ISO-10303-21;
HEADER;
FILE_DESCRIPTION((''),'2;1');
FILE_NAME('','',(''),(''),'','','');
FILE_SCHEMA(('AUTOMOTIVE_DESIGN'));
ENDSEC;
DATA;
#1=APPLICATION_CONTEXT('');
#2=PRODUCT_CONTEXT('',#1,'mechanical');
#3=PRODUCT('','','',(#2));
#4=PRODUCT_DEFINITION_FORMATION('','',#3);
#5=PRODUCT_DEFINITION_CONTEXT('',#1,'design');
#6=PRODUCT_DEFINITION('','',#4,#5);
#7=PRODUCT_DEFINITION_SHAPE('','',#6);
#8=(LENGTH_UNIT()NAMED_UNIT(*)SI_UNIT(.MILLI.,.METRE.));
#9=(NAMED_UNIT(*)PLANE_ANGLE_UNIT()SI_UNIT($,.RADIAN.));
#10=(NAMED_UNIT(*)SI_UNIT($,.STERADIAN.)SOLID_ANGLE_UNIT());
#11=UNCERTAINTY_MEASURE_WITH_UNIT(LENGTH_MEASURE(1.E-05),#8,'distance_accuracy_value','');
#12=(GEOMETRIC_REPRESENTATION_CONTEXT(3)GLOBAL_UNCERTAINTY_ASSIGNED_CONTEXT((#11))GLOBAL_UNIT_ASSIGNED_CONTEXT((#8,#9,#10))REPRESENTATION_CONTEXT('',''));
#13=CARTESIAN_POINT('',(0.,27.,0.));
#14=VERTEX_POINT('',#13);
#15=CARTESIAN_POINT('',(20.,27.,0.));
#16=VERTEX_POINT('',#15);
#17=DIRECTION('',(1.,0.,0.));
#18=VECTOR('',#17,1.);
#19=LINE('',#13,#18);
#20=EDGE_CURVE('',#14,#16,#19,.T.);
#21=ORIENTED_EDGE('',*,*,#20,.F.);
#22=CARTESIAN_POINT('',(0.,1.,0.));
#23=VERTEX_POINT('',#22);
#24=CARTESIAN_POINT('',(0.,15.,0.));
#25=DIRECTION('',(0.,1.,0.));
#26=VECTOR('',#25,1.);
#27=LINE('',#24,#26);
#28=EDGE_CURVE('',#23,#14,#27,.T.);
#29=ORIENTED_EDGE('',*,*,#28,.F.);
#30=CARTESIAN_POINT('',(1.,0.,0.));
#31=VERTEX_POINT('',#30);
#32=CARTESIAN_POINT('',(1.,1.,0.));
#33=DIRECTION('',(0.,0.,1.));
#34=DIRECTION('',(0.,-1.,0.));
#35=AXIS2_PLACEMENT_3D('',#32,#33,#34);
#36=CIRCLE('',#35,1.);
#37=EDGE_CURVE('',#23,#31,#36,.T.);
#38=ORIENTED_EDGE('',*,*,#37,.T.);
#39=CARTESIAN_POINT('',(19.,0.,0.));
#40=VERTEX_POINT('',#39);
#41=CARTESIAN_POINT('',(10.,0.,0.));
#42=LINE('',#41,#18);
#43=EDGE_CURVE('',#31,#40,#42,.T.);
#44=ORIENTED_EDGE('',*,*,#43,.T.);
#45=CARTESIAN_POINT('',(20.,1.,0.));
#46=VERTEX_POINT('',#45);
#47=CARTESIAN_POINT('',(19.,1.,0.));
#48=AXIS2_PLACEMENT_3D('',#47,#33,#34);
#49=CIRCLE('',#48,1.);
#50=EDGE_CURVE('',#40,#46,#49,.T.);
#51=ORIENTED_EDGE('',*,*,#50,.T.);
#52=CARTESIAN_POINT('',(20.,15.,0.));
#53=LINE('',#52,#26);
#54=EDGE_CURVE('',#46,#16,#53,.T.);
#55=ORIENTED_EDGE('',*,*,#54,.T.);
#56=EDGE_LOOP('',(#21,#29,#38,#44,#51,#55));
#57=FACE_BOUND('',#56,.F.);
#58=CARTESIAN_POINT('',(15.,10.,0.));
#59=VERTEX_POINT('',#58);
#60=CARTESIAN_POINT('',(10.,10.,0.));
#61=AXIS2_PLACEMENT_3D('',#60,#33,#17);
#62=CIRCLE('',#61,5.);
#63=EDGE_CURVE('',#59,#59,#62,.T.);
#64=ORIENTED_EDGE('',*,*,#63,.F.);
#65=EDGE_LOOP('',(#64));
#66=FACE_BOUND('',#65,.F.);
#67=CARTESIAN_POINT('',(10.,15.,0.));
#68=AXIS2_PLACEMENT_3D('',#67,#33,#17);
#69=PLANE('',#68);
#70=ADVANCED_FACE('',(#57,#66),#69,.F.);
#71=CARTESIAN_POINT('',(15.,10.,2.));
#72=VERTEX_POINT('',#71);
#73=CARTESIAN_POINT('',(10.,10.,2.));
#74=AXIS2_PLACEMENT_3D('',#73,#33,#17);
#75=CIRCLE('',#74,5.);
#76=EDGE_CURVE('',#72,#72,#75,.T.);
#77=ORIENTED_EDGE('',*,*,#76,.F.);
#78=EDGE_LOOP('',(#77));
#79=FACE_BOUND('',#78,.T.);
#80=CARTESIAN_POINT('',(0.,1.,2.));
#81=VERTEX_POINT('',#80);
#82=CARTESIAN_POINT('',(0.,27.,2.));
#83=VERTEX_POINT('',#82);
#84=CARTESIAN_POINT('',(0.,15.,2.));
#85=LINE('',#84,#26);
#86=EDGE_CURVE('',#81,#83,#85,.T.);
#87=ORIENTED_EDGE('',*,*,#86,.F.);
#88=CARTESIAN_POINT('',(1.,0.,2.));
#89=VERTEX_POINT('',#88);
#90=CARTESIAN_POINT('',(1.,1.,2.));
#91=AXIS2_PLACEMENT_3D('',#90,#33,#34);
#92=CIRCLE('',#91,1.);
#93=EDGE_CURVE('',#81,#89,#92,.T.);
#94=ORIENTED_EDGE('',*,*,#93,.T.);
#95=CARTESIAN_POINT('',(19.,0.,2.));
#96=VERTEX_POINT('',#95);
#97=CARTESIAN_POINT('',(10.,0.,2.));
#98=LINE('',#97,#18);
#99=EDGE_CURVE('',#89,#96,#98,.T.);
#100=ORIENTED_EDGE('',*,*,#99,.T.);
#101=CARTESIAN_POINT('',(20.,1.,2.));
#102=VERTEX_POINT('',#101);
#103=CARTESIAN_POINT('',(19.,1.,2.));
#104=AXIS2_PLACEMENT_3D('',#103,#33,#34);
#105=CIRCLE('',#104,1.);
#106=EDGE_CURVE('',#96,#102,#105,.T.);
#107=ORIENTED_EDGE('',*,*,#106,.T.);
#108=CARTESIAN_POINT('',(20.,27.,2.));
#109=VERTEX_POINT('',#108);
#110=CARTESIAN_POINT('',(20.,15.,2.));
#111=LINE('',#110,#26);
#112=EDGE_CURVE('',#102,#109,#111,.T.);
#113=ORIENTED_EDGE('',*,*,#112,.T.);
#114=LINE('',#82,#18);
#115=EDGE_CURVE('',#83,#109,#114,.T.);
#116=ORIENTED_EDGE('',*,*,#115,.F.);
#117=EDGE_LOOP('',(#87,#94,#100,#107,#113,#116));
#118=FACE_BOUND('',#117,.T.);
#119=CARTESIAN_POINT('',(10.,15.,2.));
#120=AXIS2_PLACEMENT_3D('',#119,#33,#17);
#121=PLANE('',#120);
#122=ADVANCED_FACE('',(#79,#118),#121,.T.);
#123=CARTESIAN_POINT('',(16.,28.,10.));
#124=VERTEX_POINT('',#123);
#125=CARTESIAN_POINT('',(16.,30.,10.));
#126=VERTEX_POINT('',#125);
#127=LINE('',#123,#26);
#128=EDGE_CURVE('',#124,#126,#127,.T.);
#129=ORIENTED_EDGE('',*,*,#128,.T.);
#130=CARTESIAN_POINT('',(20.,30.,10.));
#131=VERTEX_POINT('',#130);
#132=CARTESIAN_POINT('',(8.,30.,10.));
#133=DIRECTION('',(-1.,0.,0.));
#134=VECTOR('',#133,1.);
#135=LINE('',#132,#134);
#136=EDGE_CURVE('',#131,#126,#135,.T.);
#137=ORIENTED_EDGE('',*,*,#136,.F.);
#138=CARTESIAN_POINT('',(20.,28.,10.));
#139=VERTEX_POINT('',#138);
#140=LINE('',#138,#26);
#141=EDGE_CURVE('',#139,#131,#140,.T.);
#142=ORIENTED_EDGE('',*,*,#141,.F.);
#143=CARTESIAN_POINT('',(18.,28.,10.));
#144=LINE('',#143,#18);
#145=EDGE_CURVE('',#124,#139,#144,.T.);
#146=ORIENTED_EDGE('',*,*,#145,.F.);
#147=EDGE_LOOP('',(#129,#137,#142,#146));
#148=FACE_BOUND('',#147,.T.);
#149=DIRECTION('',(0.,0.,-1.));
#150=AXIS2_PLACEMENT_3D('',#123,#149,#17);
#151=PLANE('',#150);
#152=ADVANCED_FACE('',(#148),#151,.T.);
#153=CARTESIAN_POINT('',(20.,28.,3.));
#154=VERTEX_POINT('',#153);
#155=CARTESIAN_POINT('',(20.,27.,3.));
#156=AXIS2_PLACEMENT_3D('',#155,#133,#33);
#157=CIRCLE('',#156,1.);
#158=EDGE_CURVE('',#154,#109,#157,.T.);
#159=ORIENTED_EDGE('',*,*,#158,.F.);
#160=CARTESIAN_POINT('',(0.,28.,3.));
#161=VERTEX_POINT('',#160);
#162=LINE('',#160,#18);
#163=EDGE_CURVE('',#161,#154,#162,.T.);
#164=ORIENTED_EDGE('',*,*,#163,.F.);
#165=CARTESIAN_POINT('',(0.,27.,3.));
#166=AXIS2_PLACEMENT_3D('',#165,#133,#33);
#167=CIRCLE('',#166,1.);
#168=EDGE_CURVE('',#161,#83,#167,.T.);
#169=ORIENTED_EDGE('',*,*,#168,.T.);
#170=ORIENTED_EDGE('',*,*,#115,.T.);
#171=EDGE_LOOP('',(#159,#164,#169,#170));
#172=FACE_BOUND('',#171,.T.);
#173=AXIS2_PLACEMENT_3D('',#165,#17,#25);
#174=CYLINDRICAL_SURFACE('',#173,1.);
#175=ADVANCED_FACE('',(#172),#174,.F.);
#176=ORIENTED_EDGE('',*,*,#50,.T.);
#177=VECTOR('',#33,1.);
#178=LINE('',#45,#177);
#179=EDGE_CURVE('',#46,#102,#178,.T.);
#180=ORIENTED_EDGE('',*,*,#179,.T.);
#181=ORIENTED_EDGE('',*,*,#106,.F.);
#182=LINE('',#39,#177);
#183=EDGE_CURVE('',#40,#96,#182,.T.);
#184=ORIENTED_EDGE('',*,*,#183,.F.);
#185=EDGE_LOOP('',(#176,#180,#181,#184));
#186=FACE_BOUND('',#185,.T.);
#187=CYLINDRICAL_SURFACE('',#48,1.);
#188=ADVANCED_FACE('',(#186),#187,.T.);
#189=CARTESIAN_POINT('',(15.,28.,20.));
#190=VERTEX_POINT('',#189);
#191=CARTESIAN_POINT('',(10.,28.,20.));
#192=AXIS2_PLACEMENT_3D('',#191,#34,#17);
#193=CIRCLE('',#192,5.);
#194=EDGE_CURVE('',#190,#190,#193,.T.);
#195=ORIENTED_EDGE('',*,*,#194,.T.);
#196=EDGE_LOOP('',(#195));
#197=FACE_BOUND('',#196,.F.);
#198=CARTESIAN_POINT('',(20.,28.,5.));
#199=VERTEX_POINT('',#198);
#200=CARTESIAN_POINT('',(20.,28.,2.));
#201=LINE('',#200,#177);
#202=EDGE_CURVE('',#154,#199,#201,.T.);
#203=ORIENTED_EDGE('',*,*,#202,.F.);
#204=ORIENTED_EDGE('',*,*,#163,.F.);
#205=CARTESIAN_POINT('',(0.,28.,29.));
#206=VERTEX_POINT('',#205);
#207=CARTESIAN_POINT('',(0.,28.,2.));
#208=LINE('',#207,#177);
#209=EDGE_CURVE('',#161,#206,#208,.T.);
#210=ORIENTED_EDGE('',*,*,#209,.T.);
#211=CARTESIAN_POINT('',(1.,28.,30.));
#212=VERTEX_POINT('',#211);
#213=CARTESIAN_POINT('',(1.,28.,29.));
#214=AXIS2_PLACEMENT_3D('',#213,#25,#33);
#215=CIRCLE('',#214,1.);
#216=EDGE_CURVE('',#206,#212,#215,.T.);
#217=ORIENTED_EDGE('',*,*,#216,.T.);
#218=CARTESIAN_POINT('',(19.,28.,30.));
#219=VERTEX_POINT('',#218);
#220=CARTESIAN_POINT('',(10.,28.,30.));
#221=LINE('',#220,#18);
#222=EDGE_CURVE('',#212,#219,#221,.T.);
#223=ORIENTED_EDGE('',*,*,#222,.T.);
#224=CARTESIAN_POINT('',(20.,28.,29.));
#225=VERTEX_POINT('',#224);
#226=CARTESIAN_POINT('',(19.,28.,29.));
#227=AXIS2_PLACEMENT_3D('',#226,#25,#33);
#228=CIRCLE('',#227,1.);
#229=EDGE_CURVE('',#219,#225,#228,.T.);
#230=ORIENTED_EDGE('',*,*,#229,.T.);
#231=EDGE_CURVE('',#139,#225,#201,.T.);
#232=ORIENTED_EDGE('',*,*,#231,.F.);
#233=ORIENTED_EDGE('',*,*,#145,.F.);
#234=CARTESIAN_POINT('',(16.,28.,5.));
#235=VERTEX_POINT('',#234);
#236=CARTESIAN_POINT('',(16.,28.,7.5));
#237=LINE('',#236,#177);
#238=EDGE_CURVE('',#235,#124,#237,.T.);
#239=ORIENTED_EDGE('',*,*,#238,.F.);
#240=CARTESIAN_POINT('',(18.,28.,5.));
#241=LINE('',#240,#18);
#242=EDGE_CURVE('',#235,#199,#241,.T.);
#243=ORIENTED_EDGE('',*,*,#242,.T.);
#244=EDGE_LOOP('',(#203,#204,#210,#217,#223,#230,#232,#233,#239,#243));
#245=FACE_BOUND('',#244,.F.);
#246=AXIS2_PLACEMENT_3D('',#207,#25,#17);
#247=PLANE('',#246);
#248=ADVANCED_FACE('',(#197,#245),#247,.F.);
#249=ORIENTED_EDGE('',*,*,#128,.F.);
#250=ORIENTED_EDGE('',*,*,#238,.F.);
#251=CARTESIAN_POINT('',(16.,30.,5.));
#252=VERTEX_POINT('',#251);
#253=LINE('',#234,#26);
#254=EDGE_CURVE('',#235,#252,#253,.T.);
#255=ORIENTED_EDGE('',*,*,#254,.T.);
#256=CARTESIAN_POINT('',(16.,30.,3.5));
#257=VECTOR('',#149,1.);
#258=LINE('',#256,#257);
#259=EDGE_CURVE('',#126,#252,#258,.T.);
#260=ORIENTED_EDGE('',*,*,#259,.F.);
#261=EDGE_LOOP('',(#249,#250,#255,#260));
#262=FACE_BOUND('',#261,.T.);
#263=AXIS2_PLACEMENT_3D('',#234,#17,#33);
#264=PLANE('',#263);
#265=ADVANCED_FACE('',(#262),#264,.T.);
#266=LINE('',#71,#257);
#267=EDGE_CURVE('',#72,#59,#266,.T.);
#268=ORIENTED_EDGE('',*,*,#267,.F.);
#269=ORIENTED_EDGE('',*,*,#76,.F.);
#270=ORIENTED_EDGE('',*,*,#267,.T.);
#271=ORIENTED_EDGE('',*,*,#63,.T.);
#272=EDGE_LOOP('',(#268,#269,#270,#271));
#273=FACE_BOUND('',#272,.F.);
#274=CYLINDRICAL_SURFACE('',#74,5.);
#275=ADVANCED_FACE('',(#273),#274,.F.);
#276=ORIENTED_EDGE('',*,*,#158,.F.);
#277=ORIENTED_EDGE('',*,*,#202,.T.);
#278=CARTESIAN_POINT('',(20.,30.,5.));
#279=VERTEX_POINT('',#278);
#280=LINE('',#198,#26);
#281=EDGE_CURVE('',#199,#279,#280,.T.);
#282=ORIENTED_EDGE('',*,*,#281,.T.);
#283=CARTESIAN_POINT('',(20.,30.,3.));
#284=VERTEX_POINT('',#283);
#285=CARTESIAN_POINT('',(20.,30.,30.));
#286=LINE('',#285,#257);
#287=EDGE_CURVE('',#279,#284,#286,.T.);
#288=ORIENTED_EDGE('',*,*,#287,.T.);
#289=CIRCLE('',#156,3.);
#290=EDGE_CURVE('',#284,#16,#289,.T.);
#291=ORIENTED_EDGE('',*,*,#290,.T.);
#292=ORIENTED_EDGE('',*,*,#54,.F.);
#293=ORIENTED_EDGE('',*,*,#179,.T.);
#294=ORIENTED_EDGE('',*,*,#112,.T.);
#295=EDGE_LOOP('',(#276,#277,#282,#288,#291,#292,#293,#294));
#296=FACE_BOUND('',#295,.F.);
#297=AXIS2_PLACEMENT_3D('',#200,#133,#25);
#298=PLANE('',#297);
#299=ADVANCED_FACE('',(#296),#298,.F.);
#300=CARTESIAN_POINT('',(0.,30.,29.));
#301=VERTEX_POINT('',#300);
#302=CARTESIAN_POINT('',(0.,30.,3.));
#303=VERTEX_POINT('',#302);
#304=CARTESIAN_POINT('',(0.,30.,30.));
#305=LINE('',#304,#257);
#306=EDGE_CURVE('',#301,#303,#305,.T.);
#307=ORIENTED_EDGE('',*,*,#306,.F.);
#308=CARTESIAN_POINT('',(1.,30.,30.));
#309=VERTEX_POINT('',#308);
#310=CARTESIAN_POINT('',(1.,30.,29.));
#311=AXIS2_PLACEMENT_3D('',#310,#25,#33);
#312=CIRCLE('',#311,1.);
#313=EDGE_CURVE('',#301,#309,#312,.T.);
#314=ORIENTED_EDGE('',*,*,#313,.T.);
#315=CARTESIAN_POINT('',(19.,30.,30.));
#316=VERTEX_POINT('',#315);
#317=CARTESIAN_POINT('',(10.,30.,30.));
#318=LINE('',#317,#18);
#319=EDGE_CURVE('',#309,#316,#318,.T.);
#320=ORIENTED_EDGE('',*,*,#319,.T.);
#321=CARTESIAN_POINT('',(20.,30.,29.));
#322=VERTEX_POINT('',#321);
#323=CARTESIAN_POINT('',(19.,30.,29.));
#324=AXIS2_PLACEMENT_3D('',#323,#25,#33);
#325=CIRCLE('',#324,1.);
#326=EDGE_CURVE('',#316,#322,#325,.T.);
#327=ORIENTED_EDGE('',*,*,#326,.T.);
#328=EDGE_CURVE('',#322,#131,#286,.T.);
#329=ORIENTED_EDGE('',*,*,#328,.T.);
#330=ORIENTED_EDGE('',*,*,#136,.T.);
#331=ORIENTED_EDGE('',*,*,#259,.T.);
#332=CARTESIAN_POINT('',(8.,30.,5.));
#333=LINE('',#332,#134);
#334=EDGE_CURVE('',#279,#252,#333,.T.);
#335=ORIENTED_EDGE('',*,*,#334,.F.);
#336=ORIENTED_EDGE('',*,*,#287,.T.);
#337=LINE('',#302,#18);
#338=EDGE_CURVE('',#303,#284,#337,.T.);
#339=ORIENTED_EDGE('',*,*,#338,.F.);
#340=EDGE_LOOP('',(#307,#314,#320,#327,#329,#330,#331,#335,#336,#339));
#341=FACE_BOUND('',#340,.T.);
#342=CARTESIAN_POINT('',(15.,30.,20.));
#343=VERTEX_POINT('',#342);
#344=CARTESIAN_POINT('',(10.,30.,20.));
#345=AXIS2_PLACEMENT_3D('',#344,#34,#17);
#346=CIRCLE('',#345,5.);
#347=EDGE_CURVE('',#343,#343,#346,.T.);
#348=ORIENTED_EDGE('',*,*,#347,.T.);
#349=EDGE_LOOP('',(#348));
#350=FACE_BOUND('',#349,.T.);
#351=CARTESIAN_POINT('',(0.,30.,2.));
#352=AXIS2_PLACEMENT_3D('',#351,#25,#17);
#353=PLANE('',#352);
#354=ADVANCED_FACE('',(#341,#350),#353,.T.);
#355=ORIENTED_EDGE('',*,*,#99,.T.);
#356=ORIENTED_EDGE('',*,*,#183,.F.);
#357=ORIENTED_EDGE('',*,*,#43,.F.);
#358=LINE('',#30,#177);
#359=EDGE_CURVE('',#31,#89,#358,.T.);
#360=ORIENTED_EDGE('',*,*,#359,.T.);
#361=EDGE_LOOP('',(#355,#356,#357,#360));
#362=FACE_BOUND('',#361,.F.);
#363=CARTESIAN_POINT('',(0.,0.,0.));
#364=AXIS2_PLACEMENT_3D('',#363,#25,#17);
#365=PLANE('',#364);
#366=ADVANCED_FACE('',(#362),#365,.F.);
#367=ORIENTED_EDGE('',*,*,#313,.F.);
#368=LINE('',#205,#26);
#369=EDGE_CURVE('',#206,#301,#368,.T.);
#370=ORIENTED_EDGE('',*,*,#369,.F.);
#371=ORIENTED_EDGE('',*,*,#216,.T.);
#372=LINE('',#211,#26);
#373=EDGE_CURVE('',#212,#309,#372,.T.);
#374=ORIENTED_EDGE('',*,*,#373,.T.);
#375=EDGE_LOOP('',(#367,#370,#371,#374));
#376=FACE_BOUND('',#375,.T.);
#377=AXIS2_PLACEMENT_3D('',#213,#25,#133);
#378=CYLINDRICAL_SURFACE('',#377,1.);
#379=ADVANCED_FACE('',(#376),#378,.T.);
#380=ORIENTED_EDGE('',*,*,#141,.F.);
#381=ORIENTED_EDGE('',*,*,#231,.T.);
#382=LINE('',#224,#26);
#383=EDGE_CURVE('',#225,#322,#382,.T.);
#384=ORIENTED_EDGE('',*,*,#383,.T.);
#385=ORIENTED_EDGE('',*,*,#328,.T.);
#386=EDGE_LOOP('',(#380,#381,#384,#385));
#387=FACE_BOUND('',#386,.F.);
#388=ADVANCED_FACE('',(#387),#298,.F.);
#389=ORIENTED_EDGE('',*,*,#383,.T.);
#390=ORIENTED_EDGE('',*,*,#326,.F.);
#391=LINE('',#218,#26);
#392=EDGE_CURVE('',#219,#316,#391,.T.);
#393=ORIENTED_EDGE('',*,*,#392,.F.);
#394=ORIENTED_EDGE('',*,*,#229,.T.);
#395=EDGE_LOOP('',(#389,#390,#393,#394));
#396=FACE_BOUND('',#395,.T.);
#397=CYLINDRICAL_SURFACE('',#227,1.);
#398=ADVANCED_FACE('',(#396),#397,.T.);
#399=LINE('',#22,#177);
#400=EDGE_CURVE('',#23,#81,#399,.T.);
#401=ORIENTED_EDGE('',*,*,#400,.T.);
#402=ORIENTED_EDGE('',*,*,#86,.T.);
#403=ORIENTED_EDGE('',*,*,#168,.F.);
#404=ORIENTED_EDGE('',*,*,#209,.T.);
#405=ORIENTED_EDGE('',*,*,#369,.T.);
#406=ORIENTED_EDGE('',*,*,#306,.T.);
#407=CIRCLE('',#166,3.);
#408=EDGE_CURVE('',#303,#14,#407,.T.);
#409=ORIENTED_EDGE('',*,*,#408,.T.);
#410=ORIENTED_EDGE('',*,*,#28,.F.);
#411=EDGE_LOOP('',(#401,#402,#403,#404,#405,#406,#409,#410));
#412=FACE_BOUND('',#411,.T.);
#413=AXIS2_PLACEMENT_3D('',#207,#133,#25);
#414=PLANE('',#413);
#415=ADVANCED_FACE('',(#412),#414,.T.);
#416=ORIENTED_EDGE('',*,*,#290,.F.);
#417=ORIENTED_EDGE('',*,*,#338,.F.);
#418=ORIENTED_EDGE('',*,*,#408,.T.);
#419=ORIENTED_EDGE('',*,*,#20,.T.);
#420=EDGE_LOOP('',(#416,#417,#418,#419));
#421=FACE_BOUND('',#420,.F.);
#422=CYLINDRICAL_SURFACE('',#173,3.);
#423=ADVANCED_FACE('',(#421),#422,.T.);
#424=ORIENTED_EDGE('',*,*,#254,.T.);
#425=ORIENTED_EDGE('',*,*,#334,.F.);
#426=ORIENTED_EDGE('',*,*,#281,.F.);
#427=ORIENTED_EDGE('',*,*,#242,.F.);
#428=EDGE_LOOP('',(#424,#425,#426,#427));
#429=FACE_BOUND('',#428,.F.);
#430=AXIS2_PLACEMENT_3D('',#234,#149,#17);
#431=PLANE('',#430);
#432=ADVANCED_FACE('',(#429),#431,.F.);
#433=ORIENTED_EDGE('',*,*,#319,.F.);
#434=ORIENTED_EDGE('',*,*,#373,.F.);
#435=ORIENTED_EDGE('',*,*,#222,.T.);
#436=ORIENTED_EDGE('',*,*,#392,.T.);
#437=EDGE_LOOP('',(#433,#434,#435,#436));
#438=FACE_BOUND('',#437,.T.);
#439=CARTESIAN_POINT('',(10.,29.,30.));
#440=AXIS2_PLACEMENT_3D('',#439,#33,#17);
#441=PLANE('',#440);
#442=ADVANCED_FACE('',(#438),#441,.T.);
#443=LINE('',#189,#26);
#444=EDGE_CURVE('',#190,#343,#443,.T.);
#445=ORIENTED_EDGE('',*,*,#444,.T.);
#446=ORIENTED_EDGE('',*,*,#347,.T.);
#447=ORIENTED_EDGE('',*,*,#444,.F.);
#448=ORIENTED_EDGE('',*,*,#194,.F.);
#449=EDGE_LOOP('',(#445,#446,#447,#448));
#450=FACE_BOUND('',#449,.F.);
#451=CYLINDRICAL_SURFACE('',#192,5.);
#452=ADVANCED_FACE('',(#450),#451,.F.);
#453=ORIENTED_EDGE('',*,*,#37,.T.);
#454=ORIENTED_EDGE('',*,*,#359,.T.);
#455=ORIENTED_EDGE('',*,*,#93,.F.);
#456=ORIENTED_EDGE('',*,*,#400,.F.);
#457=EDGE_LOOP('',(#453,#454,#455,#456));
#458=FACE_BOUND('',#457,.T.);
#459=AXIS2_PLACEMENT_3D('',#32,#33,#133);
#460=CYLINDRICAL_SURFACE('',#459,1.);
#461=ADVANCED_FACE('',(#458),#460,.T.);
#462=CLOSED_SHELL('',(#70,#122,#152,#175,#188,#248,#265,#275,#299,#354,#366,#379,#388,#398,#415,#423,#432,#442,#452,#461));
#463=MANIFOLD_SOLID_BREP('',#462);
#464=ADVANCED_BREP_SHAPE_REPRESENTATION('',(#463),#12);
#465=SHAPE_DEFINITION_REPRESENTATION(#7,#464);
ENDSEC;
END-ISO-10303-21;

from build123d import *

# Parameters (mm, degrees)
F0_W     = 20
F0_H     = 30
F1_DEPTH = 2
F2_W     = 20
F2_H     = 2
F3_DEPTH = 28
F4_R     = 5
F5_DEPTH = 2.001
F6_R     = 5
F7_DEPTH = 2.001
F8_W     = 4
F8_H     = 5
F9_DEPTH = 2.001
F10_R    = 1
F11_R    = 3


with BuildPart() as f1:
    # F0 (on Top) → F1 (new body)
    with BuildSketch(Plane.XY):
        with Locations((10, 15)):
            Rectangle(F0_W, F0_H)
    extrude(amount=F1_DEPTH)

    # F2 (on face) → F3 (join)
    with BuildSketch(Plane.XY.offset(2)):
        with Locations((10, 29)):
            Rectangle(F2_W, F2_H)
    extrude(amount=F3_DEPTH)

    # F4 (on face) → F5 (cut, through all)
    with BuildSketch(Plane.XY.offset(2)):
        with Locations((10, 10)):
            Circle(F4_R)
    extrude(amount=-F5_DEPTH, mode=Mode.SUBTRACT)

    # F6 (on face) → F7 (cut, through all)
    with BuildSketch(Plane.XZ.offset(-28)):
        with Locations((10, 20)):
            Circle(F6_R)
    extrude(amount=-F7_DEPTH, mode=Mode.SUBTRACT)

    # F8 (on face) → F9 (cut, through all)
    with BuildSketch(Plane.XZ.offset(-28)):
        with Locations((18, 7.5)):
            Rectangle(F8_W, F8_H)
    extrude(amount=-F9_DEPTH, mode=Mode.SUBTRACT)

    # F10
    f10_edges = [f1.edges().sort_by_distance(p)[0] for p in [
        (0, 0, 1),
        (20, 0, 1),
        (20, 29, 30),
        (0, 29, 30),
        (10, 28, 2),
    ]]
    fillet(f10_edges, radius=F10_R)

    # F11
    f11_edges = [f1.edges().sort_by_distance(p)[0] for p in [
        (10, 30, 0),
    ]]
    fillet(f11_edges, radius=F11_R)


solid = f1.part
